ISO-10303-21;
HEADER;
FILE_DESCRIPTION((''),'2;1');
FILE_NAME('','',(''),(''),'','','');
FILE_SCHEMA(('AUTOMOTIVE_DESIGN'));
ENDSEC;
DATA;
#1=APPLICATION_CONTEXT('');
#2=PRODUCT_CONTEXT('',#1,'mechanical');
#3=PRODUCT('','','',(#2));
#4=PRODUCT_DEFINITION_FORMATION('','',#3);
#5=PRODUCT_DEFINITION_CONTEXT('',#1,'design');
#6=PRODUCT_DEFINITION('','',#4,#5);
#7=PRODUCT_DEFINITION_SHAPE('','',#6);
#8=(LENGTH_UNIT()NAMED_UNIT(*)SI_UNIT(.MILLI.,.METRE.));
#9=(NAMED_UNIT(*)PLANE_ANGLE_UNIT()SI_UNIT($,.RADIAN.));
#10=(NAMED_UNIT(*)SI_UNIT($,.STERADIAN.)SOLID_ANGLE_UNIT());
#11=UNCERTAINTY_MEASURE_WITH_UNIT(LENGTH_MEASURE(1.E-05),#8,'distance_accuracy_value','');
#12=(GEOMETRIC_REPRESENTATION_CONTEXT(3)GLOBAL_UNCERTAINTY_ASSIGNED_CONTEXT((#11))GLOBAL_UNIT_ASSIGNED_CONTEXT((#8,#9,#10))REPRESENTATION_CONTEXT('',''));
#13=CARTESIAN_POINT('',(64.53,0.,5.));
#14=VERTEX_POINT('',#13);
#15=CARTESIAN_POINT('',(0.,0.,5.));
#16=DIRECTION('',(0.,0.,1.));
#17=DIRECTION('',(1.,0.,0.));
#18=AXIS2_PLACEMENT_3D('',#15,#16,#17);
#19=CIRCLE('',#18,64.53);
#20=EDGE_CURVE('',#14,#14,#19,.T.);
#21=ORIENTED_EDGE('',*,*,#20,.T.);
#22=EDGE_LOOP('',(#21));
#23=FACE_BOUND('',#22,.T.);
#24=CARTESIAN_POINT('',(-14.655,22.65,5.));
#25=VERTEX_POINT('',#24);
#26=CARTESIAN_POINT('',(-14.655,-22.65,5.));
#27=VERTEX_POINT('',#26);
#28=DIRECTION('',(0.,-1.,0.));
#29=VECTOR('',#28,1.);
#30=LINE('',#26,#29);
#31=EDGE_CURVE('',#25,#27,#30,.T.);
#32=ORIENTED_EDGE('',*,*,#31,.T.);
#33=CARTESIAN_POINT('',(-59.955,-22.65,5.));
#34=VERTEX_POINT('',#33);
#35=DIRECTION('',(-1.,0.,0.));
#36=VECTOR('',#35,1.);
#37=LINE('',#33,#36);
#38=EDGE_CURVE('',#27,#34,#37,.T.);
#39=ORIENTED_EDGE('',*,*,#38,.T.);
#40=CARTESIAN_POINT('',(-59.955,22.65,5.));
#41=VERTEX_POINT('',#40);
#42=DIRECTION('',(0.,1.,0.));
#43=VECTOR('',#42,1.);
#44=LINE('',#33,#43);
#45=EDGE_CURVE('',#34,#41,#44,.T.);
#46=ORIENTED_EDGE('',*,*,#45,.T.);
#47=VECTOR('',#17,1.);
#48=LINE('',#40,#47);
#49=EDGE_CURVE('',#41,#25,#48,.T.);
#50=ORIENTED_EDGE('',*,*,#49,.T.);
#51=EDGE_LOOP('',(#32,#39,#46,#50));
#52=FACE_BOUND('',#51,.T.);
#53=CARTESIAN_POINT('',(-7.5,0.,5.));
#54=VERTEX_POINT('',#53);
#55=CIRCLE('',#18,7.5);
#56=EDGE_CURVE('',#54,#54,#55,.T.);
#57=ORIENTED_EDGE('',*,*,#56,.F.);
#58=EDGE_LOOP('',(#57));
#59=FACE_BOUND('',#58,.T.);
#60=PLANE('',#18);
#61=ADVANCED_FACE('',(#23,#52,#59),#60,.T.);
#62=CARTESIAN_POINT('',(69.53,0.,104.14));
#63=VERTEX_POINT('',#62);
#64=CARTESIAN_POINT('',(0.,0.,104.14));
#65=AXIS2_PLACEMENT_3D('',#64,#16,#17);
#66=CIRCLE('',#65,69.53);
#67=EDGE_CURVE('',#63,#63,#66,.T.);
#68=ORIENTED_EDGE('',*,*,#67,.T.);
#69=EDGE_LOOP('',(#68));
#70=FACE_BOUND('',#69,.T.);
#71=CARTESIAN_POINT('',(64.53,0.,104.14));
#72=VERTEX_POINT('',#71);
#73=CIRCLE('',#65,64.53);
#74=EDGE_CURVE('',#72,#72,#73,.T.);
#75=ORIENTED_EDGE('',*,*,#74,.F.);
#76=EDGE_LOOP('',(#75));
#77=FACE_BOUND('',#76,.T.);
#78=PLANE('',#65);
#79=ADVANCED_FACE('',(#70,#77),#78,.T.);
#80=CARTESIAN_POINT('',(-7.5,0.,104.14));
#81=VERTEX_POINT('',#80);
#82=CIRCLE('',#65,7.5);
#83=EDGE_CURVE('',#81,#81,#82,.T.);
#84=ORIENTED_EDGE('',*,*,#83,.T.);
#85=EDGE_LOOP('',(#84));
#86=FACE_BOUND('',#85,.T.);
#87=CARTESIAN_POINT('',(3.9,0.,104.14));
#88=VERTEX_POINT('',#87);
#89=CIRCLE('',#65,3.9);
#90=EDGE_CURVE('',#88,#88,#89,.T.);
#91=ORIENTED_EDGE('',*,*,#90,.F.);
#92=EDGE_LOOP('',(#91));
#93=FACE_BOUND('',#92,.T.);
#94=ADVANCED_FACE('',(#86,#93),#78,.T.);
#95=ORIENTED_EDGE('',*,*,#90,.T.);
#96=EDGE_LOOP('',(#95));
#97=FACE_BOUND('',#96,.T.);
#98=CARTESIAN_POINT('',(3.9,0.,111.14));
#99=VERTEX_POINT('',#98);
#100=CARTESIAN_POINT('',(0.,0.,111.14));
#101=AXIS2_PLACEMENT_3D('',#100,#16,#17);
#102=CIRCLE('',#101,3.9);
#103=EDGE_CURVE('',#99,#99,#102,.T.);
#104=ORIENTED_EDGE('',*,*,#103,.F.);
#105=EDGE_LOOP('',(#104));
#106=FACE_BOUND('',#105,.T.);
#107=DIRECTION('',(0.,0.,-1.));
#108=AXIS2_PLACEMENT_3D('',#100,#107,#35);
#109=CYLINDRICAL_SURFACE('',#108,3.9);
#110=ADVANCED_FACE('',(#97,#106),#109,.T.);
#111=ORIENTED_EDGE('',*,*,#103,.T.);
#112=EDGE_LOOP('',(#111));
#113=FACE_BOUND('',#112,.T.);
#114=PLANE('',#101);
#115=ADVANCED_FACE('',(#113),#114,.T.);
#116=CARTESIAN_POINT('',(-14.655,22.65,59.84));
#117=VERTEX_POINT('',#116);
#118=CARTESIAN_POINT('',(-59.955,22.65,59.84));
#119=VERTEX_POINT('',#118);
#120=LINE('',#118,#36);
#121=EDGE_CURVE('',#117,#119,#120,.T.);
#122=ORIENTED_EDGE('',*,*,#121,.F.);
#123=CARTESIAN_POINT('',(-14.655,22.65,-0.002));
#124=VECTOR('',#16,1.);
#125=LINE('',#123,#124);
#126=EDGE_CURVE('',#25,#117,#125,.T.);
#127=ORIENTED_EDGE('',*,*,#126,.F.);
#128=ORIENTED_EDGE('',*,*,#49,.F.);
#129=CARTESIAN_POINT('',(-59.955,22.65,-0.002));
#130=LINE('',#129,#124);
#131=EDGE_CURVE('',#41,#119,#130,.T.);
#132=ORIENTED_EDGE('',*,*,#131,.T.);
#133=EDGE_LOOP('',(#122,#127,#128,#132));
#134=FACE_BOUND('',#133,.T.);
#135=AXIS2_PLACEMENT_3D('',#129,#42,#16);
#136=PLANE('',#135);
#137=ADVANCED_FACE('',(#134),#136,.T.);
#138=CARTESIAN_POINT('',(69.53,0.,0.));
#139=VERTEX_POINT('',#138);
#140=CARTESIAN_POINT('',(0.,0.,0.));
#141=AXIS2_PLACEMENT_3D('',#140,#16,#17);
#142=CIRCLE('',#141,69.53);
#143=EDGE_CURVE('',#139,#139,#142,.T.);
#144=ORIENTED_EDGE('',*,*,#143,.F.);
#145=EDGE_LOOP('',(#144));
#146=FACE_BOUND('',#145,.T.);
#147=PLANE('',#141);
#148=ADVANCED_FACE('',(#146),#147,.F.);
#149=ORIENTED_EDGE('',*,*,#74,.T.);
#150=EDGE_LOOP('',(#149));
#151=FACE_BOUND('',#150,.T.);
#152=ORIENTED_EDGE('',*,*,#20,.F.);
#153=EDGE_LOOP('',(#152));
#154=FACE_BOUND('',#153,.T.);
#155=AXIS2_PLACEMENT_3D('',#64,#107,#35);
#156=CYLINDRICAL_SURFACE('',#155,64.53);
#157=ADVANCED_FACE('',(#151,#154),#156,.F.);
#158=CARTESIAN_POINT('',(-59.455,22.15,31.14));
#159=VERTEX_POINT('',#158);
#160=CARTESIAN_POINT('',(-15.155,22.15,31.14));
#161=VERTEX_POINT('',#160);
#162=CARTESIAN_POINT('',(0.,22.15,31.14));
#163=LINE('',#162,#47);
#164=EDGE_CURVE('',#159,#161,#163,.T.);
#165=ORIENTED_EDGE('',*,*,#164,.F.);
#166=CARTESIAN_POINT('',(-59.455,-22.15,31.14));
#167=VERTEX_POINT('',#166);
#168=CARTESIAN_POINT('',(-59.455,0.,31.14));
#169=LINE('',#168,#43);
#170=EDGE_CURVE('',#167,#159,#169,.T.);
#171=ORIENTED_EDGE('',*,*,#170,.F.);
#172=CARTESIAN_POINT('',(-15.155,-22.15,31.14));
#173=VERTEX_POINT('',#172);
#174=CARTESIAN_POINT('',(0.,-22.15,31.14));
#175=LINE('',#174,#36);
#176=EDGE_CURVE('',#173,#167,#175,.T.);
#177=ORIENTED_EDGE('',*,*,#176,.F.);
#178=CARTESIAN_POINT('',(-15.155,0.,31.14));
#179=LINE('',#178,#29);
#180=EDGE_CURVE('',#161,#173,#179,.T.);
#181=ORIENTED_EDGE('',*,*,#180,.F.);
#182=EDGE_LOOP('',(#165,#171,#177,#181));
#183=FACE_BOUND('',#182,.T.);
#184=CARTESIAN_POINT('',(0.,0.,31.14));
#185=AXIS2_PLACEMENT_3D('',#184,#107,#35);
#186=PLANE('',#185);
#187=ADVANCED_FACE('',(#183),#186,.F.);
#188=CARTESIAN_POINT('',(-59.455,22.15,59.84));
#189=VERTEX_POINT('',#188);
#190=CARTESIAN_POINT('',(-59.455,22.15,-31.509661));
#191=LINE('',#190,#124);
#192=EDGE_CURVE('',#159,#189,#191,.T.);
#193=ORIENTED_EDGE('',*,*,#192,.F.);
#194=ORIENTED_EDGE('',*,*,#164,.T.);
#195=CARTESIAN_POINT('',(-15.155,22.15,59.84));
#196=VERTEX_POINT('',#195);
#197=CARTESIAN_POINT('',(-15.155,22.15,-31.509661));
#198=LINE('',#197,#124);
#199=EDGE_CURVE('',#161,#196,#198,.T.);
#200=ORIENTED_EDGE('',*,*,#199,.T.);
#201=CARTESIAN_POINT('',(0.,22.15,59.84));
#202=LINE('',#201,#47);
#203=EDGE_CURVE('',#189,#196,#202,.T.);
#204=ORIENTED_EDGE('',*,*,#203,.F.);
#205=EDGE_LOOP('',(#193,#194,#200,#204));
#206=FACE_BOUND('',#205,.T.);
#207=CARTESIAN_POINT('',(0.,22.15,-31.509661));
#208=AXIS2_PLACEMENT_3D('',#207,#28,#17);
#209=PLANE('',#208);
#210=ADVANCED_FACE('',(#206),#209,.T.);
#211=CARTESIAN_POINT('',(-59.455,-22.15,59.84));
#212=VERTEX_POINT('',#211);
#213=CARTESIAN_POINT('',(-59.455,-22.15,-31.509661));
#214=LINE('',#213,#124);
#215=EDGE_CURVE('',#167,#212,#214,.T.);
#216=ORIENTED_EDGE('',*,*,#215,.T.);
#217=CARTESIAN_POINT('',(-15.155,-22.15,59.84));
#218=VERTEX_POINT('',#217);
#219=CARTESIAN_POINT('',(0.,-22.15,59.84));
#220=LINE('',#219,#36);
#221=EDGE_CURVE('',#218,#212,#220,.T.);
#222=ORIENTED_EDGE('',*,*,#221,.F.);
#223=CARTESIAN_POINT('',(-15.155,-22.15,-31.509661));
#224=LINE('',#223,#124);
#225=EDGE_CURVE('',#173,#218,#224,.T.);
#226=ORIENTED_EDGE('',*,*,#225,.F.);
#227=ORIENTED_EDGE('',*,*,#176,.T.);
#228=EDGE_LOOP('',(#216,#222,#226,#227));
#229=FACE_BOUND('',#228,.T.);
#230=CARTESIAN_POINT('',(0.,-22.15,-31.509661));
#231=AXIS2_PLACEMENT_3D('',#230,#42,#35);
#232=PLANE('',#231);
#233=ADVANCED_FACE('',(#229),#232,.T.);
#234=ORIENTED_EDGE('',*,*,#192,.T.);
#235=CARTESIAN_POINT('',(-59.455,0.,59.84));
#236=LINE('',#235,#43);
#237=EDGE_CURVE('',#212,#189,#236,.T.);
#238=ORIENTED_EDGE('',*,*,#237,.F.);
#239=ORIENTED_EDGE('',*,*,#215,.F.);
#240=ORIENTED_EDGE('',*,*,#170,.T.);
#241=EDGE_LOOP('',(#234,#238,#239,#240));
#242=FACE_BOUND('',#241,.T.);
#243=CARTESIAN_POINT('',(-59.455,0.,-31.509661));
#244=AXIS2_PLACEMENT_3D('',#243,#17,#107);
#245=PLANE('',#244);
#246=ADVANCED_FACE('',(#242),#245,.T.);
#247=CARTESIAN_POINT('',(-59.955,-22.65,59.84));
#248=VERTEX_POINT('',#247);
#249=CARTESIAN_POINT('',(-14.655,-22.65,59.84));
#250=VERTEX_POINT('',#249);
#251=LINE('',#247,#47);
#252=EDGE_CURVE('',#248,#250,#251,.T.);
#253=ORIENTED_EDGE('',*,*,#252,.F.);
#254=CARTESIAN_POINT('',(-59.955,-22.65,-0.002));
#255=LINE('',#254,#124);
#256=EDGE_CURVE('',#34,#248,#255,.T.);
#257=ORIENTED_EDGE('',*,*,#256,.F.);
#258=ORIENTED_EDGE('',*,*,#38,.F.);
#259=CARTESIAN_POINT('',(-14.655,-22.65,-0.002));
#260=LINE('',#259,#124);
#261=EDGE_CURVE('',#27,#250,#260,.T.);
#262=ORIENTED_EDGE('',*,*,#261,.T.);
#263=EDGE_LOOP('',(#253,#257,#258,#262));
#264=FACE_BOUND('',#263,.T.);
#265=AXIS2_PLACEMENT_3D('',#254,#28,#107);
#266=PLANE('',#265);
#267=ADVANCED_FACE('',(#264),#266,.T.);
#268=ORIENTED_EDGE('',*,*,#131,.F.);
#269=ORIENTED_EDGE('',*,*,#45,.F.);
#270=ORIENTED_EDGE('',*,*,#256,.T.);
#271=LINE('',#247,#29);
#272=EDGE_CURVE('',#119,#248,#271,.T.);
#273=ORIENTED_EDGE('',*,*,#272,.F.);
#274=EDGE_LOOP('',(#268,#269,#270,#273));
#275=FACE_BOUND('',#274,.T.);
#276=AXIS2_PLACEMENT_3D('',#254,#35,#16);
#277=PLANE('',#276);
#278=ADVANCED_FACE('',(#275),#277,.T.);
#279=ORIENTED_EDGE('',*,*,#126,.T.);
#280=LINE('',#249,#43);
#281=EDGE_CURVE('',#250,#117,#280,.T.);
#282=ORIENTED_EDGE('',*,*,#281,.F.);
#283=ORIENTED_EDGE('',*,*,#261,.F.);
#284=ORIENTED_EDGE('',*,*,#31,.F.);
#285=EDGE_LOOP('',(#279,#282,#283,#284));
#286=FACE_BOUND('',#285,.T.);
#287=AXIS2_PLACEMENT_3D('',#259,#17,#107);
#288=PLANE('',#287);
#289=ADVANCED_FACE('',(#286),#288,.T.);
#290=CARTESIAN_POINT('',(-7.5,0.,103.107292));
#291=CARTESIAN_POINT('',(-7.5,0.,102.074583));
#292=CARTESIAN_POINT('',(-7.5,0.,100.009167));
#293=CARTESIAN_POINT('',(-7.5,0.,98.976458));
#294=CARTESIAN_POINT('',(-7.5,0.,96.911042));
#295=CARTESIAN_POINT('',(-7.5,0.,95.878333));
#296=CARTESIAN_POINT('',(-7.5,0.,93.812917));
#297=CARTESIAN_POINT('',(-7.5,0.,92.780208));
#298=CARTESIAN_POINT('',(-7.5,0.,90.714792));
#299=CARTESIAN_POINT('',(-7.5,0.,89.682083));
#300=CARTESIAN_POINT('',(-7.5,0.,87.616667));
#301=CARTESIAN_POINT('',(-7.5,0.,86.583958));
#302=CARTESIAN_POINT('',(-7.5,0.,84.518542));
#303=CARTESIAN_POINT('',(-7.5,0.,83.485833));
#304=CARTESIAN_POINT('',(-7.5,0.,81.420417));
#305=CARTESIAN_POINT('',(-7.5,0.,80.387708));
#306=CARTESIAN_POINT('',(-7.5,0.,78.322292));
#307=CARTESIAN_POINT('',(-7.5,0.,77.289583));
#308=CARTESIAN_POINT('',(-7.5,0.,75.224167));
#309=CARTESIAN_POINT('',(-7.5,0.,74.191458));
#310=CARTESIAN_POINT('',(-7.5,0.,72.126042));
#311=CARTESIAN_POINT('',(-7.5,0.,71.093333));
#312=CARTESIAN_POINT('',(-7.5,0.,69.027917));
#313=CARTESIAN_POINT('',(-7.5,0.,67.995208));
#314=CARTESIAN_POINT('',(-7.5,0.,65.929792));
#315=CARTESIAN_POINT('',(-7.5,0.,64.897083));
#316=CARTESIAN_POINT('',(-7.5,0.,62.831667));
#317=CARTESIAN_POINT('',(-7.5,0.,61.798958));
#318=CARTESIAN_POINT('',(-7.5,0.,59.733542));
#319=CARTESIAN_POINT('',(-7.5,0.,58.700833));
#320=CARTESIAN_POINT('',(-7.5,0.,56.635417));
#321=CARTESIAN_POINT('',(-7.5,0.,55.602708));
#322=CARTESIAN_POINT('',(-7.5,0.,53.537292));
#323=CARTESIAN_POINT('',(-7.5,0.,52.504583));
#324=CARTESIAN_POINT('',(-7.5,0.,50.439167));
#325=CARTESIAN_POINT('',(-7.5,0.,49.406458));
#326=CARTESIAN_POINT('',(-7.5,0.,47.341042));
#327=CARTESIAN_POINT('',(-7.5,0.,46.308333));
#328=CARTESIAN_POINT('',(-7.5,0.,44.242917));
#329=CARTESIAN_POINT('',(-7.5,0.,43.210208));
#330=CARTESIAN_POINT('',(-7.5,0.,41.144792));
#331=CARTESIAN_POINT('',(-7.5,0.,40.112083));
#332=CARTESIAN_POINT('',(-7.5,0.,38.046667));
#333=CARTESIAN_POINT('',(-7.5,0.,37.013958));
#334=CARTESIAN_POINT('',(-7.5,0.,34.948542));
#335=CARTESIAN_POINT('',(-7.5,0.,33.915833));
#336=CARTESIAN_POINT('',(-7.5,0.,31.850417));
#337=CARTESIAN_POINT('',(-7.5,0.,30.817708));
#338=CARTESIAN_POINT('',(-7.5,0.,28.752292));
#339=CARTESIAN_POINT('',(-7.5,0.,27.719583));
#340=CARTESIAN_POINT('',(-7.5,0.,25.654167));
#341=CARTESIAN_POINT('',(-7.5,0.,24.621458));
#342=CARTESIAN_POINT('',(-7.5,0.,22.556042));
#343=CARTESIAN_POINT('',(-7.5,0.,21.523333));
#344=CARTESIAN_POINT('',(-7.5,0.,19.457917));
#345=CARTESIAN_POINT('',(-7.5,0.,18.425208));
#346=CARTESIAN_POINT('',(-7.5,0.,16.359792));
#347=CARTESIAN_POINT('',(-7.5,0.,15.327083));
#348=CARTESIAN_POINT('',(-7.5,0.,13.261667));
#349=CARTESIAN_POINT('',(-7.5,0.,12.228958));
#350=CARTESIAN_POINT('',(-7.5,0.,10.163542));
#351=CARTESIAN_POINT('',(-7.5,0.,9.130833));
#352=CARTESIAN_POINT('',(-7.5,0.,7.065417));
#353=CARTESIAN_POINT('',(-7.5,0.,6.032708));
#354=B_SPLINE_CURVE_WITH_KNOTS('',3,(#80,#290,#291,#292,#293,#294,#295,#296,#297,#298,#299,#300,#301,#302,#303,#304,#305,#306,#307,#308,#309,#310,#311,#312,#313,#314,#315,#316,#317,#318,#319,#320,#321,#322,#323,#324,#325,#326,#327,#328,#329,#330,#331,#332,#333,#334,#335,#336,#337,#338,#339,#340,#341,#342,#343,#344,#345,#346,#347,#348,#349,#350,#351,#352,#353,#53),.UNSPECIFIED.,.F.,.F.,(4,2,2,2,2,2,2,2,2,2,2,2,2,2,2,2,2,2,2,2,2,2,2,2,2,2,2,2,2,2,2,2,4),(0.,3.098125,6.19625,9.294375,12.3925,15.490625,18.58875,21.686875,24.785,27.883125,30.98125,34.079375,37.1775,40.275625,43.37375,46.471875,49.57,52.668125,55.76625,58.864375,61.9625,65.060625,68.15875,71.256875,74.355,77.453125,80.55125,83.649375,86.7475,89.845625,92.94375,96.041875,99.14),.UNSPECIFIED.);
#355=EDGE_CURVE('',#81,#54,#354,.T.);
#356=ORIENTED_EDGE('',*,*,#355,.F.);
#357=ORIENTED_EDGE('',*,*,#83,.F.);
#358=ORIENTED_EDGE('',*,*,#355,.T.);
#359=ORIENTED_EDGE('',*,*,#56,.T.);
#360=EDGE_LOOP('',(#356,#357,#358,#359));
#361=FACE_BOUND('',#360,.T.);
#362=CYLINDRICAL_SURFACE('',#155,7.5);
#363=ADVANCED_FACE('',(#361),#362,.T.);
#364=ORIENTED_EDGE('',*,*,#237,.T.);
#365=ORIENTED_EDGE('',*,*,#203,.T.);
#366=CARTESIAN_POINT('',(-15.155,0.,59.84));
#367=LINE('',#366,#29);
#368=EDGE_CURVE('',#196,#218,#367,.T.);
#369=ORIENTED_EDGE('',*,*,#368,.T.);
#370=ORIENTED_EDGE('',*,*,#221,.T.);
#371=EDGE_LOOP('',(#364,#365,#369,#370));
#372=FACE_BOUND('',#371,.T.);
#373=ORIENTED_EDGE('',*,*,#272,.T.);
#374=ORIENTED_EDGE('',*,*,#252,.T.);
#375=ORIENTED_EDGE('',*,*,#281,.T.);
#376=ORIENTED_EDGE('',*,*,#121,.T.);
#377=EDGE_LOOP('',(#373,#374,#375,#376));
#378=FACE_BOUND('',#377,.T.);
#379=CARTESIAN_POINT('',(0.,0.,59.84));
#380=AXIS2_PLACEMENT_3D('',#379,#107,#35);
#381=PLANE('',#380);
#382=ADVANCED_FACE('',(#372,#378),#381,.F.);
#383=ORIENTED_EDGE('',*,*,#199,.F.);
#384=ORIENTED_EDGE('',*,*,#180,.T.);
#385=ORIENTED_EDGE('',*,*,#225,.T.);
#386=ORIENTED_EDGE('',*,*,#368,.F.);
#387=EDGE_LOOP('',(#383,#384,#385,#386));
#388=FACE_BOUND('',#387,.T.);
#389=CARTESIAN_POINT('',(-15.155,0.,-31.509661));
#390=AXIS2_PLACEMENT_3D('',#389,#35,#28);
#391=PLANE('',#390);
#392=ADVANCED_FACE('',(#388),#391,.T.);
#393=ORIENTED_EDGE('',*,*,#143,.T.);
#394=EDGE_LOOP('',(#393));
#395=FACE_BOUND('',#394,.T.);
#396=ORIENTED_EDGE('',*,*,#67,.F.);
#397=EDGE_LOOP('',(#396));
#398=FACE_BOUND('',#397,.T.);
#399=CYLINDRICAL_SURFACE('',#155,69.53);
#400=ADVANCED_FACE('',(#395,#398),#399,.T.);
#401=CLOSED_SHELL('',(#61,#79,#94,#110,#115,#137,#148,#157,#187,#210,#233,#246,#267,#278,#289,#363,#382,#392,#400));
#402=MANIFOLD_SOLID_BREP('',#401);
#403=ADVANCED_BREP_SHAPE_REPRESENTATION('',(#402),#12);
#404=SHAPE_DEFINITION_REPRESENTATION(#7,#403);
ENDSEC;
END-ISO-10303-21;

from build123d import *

# Parameters (mm, degrees)
SKETCH1_R                       = 69.53
SKETCH1_W                       = 42.3
SKETCH1_H                       = 42.3
BOSS_EXTRUDE1_DEPTH             = 104.14
SHELL1_T                        = -5
SKETCH1_4_W                     = 42.3
SKETCH1_4_H                     = 42.3
BOSS_EXTRUDE3_DEPTH             = 31.14
SKETCH2_W                       = 45.3
SKETCH2_H                       = 45.3
BOSS_EXTRUDE5_DEPTH             = 28.7
BOSS_EXTRUDE5_DIRECTION_2_REACH = 124.466
CUT_EXTRUDE1_START              = -28.7
SKETCH3_W                       = 44.3
SKETCH3_H                       = 44.3
CUT_EXTRUDE1_DEPTH              = 28.7
SKETCH4_R                       = 7.5
BOSS_EXTRUDE6_DEPTH             = 99.14
SKETCH5_R                       = 3.9
BOSS_EXTRUDE7_DEPTH             = 7


with BuildPart() as part:
    # Sketch1 → Boss-Extrude1 (new body)
    # profile 1 of 2: a face of its own
    with BuildSketch(Plane.XY):
        Circle(SKETCH1_R)
        with Locations((-37.305, 0)):
            Rectangle(SKETCH1_W, SKETCH1_H, mode=Mode.SUBTRACT)
    # profile 2 of 2: a face of its own
    with BuildSketch(Plane.XY):
        with Locations((-37.305, 0)):
            Rectangle(SKETCH1_W, SKETCH1_H)
    extrude(amount=BOSS_EXTRUDE1_DEPTH)

    # Shell1
    shell1_openings = [part.faces().sort_by_distance(p)[0] for p in [
        (0, 0, 104.14),
    ]]
    offset(amount=SHELL1_T, openings=shell1_openings, kind=Kind.INTERSECTION)

    # Sketch1<4> → Boss-Extrude3 (add)
    with BuildSketch(Plane.XY):
        with Locations((-37.305, 0)):
            Rectangle(SKETCH1_4_W, SKETCH1_4_H)
    extrude(amount=BOSS_EXTRUDE3_DEPTH)

    # Sketch2 → Boss-Extrude5 (add)
    with BuildSketch(Plane.XY.offset(31.14)):
        with Locations((-37.305, 0)):
            Rectangle(SKETCH2_W, SKETCH2_H)
        with BuildLine():
            Line((-58.455, -20.754129107), (-58.455, 20.754129107))
            ThreePointArc((-58.455, 20.754129107), (-58.384303073, 20.952184962), (-58.3129351, 21.15))
            Line((-58.3129351, 21.15), (-16.155, 21.15))
            Line((-16.155, 21.15), (-16.155, -21.15))
            Line((-16.155, -21.15), (-58.3129351, -21.15))
            ThreePointArc((-58.3129351, -21.15), (-58.384303073, -20.952184962), (-58.455, -20.754129107))
        make_face(mode=Mode.SUBTRACT)
    extrude(amount=BOSS_EXTRUDE5_DEPTH)

    # Sketch2 → Boss-Extrude5 direction 2 (add, up to next)
    with BuildSketch(Plane.XY.offset(31.14), mode=Mode.PRIVATE) as boss_extrude5_direction_2_sk1:
        with Locations((-37.305, 0)):
            Rectangle(SKETCH2_W, SKETCH2_H)
        with BuildLine():
            Line((-58.455, -20.754129107), (-58.455, 20.754129107))
            ThreePointArc((-58.455, 20.754129107), (-58.384303073, 20.952184962), (-58.3129351, 21.15))
            Line((-58.3129351, 21.15), (-16.155, 21.15))
            Line((-16.155, 21.15), (-16.155, -21.15))
            Line((-16.155, -21.15), (-58.3129351, -21.15))
            ThreePointArc((-58.3129351, -21.15), (-58.384303073, -20.952184962), (-58.455, -20.754129107))
        make_face(mode=Mode.SUBTRACT)
    boss_extrude5_direction_2_tool1 = extrude(boss_extrude5_direction_2_sk1.sketch, amount=-BOSS_EXTRUDE5_DIRECTION_2_REACH, mode=Mode.PRIVATE) - part.part
    add(boss_extrude5_direction_2_tool1.solids().sort_by_distance((-37.305, -22.009361, 31.14))[0])

    # Sketch3 → Cut-Extrude1 (cut)
    with BuildSketch(Plane.XY.offset(59.84).offset(CUT_EXTRUDE1_START)):
        with Locations((-37.305, 0)):
            Rectangle(SKETCH3_W, SKETCH3_H)
        with BuildLine():
            Line((-16.155, -21.15), (-58.3129351, -21.15))
            ThreePointArc((-58.3129351, -21.15), (-58.384303073, -20.952184962), (-58.455, -20.754129107))
            Line((-58.455, -20.754129107), (-58.455, 20.754129107))
            ThreePointArc((-58.455, 20.754129107), (-58.384303073, 20.952184962), (-58.3129351, 21.15))
            Line((-58.3129351, 21.15), (-16.155, 21.15))
            Line((-16.155, 21.15), (-16.155, -21.15))
        make_face(mode=Mode.SUBTRACT)
    extrude(amount=CUT_EXTRUDE1_DEPTH, mode=Mode.SUBTRACT)

    # Sketch4 → Boss-Extrude6 (add)
    with BuildSketch(Plane.XY.offset(5)):
        with Locations(Location((0, 0, 0), (0, 0, 180))):
            Circle(SKETCH4_R)
    extrude(amount=BOSS_EXTRUDE6_DEPTH)

    # Sketch5 → Boss-Extrude7 (add)
    with BuildSketch(Plane.XY.offset(104.14)):
        Circle(SKETCH5_R)
    extrude(amount=BOSS_EXTRUDE7_DEPTH)


solid = part.part
